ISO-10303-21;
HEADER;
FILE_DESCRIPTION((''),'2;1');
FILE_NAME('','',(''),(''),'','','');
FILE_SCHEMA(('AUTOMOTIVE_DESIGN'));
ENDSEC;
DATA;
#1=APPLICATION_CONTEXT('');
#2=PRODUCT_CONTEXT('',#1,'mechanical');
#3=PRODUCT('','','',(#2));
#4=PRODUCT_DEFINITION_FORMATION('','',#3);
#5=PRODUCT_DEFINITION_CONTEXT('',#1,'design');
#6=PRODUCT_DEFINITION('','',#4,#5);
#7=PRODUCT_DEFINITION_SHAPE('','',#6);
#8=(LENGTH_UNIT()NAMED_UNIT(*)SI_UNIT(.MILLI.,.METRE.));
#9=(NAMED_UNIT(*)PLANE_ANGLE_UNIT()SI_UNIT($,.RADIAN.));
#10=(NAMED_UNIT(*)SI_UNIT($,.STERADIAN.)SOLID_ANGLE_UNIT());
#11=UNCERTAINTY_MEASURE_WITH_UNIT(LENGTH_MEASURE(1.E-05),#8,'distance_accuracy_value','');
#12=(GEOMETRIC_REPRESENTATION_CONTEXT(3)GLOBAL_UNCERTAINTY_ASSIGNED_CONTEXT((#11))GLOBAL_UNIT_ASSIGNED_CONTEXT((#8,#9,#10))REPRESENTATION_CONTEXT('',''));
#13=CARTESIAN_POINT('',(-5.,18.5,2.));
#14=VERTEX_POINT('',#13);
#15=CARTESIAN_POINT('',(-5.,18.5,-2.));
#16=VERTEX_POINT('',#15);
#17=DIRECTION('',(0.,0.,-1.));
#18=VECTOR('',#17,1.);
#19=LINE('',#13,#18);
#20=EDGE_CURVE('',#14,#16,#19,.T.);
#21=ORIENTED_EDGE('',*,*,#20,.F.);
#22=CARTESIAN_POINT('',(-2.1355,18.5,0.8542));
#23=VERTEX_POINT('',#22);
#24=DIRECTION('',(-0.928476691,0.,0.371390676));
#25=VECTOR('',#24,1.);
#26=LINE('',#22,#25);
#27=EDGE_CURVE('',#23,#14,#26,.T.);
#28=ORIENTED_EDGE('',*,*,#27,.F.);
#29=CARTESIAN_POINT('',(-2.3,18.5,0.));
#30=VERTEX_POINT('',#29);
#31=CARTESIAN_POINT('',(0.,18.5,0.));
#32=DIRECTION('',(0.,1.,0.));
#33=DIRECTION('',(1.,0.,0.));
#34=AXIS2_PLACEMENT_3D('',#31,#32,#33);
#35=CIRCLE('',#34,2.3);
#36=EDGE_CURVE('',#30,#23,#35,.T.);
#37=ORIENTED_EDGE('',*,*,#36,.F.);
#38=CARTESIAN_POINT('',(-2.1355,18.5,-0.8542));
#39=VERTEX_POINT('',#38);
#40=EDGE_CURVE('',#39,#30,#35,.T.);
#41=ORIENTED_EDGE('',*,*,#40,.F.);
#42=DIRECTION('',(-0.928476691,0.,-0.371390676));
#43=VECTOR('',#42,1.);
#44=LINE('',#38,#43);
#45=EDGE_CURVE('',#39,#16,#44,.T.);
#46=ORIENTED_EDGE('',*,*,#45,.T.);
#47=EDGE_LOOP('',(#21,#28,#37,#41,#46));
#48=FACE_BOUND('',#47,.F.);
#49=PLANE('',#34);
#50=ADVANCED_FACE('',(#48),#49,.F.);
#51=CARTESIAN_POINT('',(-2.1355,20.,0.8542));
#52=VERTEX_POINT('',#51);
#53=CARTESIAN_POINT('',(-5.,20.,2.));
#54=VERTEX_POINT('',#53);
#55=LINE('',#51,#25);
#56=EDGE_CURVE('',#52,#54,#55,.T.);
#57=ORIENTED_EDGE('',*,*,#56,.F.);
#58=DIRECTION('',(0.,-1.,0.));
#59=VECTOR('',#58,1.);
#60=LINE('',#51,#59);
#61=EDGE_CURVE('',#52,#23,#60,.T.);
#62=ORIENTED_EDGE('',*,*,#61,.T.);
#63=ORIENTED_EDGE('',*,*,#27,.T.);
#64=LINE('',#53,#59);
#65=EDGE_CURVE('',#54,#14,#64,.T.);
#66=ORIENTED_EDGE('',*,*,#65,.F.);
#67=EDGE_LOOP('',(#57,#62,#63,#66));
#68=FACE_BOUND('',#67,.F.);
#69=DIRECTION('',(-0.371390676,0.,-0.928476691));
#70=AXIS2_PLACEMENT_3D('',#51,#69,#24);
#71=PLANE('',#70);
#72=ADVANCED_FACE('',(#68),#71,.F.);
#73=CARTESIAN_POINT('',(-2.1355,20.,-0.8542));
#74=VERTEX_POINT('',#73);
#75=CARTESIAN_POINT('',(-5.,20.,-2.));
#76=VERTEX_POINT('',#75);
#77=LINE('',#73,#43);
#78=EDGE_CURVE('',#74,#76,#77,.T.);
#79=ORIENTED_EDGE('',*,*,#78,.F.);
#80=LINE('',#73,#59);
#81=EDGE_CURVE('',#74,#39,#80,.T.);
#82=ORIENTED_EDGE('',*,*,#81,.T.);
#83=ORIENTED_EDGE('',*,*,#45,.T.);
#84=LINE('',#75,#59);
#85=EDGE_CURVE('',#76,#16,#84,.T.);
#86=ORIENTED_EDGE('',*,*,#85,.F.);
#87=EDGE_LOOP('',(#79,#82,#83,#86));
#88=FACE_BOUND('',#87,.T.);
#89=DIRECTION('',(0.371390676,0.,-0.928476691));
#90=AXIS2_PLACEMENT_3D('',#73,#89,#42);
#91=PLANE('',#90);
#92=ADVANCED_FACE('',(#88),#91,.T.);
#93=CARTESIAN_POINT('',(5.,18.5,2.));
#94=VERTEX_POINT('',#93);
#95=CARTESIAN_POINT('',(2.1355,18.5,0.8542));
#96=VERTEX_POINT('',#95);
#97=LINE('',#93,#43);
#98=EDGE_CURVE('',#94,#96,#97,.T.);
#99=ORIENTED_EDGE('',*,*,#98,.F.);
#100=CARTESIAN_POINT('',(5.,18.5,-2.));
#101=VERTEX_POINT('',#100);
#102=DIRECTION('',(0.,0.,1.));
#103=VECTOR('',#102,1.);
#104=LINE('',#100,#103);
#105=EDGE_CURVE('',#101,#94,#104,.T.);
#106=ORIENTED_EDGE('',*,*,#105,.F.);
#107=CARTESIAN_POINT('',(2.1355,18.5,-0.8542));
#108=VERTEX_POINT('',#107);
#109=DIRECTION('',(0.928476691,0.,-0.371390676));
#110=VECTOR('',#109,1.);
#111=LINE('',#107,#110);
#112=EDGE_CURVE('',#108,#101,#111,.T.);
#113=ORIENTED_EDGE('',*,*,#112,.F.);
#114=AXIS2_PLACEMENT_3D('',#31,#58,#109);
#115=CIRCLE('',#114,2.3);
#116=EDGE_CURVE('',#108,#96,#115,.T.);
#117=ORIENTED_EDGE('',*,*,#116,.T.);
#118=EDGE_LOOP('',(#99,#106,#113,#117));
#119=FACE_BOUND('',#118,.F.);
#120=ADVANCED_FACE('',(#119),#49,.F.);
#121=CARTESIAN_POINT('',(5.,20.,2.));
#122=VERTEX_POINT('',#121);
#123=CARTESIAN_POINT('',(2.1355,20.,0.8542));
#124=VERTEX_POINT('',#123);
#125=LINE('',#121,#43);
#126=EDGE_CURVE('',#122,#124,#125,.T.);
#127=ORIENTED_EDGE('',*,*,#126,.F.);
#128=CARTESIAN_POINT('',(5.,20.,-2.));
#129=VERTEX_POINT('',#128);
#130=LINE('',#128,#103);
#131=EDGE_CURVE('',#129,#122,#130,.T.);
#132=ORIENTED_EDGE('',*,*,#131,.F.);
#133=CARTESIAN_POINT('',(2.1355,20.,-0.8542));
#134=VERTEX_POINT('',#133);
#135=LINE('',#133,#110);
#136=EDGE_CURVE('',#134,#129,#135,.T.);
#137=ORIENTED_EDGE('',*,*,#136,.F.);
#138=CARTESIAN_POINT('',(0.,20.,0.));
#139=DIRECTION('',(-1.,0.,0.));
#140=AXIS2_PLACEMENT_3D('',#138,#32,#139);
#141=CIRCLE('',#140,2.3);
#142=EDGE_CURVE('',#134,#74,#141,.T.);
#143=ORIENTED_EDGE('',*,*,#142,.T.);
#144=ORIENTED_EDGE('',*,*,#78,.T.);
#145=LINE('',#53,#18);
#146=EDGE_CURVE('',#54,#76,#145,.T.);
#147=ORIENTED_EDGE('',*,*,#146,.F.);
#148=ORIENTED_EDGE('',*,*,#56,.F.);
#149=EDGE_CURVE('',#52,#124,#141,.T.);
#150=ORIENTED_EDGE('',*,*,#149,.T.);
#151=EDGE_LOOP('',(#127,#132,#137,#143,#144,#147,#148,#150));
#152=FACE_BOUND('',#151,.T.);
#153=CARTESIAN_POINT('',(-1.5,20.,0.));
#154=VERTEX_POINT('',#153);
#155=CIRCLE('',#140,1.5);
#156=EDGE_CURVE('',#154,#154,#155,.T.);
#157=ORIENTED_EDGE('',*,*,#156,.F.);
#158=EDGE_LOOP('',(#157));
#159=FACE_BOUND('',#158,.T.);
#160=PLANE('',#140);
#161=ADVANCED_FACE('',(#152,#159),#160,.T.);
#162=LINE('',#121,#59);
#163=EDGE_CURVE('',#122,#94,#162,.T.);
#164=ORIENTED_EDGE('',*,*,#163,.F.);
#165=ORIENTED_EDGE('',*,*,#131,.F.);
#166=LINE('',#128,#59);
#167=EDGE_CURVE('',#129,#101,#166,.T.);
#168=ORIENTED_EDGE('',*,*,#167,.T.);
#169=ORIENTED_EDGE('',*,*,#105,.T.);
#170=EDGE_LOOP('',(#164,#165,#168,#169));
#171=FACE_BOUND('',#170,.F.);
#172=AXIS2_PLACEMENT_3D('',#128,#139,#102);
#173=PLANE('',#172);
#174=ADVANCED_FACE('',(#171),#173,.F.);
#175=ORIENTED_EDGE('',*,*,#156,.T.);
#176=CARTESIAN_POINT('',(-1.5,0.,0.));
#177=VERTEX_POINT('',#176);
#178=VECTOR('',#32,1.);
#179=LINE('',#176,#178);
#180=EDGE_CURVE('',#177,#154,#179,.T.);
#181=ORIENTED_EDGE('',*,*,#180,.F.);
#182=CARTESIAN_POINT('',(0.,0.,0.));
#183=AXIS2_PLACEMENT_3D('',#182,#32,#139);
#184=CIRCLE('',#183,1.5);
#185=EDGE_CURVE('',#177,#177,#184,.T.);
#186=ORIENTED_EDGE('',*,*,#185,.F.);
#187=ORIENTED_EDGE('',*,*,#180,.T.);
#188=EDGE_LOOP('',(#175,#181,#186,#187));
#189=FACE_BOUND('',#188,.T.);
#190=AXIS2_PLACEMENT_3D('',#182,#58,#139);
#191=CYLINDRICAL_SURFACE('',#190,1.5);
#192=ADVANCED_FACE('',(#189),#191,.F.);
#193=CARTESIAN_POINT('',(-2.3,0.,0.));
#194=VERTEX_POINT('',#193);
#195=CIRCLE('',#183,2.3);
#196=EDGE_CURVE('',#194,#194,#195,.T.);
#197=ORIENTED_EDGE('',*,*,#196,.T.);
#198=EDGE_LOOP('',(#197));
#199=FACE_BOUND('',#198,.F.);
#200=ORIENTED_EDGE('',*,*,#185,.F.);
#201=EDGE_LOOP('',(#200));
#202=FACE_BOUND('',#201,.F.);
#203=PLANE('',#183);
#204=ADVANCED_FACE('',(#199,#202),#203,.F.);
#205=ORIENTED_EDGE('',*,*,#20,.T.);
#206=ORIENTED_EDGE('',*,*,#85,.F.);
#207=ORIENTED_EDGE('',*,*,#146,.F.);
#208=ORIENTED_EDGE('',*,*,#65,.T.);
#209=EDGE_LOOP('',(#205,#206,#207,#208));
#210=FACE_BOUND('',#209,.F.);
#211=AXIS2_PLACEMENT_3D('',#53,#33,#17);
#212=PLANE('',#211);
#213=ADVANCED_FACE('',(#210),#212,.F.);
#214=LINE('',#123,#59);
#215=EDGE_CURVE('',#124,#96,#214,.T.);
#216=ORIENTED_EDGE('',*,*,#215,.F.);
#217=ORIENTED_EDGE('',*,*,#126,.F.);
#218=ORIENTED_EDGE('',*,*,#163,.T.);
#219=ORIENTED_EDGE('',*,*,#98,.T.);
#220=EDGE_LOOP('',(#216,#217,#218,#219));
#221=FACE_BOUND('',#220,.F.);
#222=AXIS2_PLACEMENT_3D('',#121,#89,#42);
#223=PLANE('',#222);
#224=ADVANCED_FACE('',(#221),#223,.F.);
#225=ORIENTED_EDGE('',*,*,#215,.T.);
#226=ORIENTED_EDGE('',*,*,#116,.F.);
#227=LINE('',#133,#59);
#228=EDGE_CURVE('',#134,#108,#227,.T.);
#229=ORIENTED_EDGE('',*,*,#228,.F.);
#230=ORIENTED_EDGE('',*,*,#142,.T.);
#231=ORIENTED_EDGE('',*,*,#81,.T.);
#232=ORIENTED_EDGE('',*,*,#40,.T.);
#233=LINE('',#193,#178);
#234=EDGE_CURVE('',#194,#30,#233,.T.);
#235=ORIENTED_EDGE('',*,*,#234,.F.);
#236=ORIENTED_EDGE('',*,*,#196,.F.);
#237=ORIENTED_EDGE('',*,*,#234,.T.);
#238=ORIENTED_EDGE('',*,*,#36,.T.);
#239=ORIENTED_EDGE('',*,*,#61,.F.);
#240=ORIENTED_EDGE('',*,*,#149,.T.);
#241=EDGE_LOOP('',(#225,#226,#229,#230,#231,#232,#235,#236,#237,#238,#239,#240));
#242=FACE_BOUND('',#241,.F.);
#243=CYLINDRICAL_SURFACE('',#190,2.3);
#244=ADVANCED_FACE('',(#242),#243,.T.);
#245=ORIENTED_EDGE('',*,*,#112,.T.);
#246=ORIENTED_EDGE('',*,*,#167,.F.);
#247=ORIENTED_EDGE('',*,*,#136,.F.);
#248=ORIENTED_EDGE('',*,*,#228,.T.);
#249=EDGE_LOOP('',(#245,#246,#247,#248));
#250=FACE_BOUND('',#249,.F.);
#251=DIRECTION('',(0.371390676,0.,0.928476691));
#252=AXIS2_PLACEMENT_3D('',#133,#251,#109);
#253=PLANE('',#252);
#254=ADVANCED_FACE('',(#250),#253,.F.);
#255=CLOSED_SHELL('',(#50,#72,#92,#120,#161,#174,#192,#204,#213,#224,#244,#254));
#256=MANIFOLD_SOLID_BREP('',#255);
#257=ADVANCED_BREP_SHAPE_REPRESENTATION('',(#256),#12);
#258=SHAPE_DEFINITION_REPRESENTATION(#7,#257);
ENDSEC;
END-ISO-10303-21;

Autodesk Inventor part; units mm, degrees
ref_plane "YZ Plane" through (0, 0, 0) normal (1, 0, 0) x (0, 1, 0)
ref_plane "XY Plane" through (0, 0, 0) normal (0, 0, 1) x (1, 0, 0)
sketch "Boceto1" plane through (0, 0, 0) normal (0, 1, 0) x (-1, 0, 0)
  circle A0 centre (0, 0) radius 1.5
  circle A1 centre (0, 0) radius 2.3
  dimension "d0" = 3
  dimension "d1" = 4.6
extrude "Extrusión1" add sketch "Boceto1" along normal blind 20
sketch "Boceto2" plane through (0, 20, 0) normal (0, 1, 0) x (1, 0, 0)
  line L0 (5, 2) -> (5, -2)
  line L1 (-5, -2) -> (-5, 2)
  circle A0 centre (0, 0) radius 1.5 projected
  line L2 (-5, 2) -> (5, -2) construction
  line L3 (5, 2) -> (-5, -2) construction
  circle A1 centre (0, 0) radius 2.3 projected
  line L4 (-2.1355, 0.8542) -> (-5, 2)
  line L5 (-2.1355, -0.8542) -> (-5, -2)
  line L6 (2.1355, 0.8542) -> (5, 2)
  line L7 (5, -2) -> (2.1355, -0.8542)
  arc A2 (-2.1355, 0.8542) -> (-2.1355, -0.8542) centre (0, 0) ccw
  arc A3 (2.1355, -0.8542) -> (1.6097, 1.6429) centre (0, 0) ccw
  dimension "d5" = 4
  dimension "d8" = 10
extrude "Extrusión2" add sketch "Boceto2" against normal blind 1.5 contours L0 L7 A1 L6 | L5 L1 L4 A1
sketch "Boceto3" plane through (0, 0, 0) normal (0, -1, 0) x (1, 0, 0)
  line L0 (-2.1355, 0.8542) -> (-5, 2) projected
  line L1 (-5, 2) -> (-5, -2) projected
  line L2 (-2.1355, 0.8542) -> (-5, 2) projected
  line L3 (-5, 2) -> (-5, -2) projected
  line L4 (-5, -2) -> (-2.1355, -0.8542) projected
  arc A0 (-2.1355, 0.8542) -> (-2.1355, -0.8542) centre (0, 0) ccw projected
  line L5 (2.1355, -0.8542) -> (5, -2) projected
  line L6 (5, -2) -> (5, 2) projected
  line L7 (5, 2) -> (2.1355, 0.8542) projected
  arc A1 (2.1355, -0.8542) -> (2.1355, 0.8542) centre (0, 0) ccw projected
properties part number "PruebaBuje_3DPrint"
